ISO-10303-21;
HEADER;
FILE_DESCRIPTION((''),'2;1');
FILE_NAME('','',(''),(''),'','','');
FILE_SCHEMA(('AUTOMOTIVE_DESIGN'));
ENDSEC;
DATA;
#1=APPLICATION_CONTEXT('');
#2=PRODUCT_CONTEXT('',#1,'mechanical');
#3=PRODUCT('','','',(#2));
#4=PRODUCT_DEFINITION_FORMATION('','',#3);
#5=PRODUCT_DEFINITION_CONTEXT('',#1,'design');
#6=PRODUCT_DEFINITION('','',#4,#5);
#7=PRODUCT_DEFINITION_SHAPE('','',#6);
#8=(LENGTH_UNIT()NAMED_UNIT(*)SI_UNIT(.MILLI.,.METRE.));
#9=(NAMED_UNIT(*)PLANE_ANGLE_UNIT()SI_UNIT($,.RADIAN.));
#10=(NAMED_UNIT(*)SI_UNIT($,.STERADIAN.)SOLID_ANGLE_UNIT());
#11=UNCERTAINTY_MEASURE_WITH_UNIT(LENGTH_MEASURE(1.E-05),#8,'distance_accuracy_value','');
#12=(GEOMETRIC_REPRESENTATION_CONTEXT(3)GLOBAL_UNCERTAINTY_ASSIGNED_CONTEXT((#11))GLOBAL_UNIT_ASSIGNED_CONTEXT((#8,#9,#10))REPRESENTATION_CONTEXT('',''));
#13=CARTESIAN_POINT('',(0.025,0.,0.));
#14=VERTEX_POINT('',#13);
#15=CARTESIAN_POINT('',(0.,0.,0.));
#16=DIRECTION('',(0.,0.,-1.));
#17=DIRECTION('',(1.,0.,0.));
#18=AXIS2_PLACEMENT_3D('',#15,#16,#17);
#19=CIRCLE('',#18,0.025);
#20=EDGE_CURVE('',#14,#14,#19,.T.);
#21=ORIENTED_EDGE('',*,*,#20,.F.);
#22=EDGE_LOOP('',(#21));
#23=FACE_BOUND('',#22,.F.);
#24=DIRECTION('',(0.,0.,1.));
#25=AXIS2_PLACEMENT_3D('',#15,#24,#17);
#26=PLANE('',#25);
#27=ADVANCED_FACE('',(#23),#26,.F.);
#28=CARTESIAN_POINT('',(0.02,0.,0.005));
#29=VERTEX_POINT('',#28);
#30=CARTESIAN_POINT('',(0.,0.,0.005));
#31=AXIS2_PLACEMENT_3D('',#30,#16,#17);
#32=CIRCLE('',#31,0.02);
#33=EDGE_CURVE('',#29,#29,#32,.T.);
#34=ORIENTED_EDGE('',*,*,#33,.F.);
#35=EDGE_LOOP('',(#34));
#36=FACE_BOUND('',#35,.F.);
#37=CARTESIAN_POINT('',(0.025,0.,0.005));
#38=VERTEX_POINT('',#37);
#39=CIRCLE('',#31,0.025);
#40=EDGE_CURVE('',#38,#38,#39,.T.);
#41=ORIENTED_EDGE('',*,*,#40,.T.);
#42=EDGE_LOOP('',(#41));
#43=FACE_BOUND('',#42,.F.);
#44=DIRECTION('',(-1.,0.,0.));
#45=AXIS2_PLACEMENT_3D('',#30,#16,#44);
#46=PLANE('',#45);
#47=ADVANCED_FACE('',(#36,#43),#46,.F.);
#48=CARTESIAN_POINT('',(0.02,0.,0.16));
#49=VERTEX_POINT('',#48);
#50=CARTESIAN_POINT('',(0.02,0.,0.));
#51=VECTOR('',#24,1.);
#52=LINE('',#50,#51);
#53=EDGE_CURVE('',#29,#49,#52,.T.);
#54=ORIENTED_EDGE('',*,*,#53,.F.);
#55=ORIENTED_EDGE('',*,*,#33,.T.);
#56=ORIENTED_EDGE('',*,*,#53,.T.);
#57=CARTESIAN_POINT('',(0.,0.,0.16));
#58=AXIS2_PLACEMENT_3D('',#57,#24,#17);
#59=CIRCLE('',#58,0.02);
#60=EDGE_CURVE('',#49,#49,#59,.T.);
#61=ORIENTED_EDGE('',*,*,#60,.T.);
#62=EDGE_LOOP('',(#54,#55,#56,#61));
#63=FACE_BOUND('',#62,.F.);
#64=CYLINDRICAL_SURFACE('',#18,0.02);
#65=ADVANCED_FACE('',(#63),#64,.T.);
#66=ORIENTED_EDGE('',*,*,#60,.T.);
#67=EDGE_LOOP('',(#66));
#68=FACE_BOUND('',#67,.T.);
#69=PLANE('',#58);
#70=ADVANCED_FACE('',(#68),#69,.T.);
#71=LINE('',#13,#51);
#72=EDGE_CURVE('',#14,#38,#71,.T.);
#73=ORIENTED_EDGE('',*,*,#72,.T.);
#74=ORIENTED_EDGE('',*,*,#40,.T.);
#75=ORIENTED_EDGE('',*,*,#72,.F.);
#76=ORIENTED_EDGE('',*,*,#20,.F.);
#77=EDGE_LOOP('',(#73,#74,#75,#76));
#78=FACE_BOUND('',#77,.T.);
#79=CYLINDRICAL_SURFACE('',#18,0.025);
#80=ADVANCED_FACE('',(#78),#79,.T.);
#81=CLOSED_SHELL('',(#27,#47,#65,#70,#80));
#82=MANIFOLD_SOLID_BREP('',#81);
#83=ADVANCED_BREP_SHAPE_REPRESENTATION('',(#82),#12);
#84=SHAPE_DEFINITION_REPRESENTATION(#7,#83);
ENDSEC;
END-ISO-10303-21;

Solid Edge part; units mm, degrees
sketch "Sketch1" plane through (0, 0, 0) normal (0, 0, 1) x (1, 0, 0)
  circle A0 centre (0, 0) radius 0.02
  dimension "D1" = 0.04
extrude "Protrusion1" add sketch "Sketch1" along normal blind 0.16
sketch "Sketch2" plane through (0, 0, 0) normal (0, 0, -1) x (1, 0, 0)
  circle A0 centre (0, 0) radius 0.025
  dimension "D1" = 0.05
extrude "Ausprägung_2" add sketch "Sketch2" against normal blind 0.005
